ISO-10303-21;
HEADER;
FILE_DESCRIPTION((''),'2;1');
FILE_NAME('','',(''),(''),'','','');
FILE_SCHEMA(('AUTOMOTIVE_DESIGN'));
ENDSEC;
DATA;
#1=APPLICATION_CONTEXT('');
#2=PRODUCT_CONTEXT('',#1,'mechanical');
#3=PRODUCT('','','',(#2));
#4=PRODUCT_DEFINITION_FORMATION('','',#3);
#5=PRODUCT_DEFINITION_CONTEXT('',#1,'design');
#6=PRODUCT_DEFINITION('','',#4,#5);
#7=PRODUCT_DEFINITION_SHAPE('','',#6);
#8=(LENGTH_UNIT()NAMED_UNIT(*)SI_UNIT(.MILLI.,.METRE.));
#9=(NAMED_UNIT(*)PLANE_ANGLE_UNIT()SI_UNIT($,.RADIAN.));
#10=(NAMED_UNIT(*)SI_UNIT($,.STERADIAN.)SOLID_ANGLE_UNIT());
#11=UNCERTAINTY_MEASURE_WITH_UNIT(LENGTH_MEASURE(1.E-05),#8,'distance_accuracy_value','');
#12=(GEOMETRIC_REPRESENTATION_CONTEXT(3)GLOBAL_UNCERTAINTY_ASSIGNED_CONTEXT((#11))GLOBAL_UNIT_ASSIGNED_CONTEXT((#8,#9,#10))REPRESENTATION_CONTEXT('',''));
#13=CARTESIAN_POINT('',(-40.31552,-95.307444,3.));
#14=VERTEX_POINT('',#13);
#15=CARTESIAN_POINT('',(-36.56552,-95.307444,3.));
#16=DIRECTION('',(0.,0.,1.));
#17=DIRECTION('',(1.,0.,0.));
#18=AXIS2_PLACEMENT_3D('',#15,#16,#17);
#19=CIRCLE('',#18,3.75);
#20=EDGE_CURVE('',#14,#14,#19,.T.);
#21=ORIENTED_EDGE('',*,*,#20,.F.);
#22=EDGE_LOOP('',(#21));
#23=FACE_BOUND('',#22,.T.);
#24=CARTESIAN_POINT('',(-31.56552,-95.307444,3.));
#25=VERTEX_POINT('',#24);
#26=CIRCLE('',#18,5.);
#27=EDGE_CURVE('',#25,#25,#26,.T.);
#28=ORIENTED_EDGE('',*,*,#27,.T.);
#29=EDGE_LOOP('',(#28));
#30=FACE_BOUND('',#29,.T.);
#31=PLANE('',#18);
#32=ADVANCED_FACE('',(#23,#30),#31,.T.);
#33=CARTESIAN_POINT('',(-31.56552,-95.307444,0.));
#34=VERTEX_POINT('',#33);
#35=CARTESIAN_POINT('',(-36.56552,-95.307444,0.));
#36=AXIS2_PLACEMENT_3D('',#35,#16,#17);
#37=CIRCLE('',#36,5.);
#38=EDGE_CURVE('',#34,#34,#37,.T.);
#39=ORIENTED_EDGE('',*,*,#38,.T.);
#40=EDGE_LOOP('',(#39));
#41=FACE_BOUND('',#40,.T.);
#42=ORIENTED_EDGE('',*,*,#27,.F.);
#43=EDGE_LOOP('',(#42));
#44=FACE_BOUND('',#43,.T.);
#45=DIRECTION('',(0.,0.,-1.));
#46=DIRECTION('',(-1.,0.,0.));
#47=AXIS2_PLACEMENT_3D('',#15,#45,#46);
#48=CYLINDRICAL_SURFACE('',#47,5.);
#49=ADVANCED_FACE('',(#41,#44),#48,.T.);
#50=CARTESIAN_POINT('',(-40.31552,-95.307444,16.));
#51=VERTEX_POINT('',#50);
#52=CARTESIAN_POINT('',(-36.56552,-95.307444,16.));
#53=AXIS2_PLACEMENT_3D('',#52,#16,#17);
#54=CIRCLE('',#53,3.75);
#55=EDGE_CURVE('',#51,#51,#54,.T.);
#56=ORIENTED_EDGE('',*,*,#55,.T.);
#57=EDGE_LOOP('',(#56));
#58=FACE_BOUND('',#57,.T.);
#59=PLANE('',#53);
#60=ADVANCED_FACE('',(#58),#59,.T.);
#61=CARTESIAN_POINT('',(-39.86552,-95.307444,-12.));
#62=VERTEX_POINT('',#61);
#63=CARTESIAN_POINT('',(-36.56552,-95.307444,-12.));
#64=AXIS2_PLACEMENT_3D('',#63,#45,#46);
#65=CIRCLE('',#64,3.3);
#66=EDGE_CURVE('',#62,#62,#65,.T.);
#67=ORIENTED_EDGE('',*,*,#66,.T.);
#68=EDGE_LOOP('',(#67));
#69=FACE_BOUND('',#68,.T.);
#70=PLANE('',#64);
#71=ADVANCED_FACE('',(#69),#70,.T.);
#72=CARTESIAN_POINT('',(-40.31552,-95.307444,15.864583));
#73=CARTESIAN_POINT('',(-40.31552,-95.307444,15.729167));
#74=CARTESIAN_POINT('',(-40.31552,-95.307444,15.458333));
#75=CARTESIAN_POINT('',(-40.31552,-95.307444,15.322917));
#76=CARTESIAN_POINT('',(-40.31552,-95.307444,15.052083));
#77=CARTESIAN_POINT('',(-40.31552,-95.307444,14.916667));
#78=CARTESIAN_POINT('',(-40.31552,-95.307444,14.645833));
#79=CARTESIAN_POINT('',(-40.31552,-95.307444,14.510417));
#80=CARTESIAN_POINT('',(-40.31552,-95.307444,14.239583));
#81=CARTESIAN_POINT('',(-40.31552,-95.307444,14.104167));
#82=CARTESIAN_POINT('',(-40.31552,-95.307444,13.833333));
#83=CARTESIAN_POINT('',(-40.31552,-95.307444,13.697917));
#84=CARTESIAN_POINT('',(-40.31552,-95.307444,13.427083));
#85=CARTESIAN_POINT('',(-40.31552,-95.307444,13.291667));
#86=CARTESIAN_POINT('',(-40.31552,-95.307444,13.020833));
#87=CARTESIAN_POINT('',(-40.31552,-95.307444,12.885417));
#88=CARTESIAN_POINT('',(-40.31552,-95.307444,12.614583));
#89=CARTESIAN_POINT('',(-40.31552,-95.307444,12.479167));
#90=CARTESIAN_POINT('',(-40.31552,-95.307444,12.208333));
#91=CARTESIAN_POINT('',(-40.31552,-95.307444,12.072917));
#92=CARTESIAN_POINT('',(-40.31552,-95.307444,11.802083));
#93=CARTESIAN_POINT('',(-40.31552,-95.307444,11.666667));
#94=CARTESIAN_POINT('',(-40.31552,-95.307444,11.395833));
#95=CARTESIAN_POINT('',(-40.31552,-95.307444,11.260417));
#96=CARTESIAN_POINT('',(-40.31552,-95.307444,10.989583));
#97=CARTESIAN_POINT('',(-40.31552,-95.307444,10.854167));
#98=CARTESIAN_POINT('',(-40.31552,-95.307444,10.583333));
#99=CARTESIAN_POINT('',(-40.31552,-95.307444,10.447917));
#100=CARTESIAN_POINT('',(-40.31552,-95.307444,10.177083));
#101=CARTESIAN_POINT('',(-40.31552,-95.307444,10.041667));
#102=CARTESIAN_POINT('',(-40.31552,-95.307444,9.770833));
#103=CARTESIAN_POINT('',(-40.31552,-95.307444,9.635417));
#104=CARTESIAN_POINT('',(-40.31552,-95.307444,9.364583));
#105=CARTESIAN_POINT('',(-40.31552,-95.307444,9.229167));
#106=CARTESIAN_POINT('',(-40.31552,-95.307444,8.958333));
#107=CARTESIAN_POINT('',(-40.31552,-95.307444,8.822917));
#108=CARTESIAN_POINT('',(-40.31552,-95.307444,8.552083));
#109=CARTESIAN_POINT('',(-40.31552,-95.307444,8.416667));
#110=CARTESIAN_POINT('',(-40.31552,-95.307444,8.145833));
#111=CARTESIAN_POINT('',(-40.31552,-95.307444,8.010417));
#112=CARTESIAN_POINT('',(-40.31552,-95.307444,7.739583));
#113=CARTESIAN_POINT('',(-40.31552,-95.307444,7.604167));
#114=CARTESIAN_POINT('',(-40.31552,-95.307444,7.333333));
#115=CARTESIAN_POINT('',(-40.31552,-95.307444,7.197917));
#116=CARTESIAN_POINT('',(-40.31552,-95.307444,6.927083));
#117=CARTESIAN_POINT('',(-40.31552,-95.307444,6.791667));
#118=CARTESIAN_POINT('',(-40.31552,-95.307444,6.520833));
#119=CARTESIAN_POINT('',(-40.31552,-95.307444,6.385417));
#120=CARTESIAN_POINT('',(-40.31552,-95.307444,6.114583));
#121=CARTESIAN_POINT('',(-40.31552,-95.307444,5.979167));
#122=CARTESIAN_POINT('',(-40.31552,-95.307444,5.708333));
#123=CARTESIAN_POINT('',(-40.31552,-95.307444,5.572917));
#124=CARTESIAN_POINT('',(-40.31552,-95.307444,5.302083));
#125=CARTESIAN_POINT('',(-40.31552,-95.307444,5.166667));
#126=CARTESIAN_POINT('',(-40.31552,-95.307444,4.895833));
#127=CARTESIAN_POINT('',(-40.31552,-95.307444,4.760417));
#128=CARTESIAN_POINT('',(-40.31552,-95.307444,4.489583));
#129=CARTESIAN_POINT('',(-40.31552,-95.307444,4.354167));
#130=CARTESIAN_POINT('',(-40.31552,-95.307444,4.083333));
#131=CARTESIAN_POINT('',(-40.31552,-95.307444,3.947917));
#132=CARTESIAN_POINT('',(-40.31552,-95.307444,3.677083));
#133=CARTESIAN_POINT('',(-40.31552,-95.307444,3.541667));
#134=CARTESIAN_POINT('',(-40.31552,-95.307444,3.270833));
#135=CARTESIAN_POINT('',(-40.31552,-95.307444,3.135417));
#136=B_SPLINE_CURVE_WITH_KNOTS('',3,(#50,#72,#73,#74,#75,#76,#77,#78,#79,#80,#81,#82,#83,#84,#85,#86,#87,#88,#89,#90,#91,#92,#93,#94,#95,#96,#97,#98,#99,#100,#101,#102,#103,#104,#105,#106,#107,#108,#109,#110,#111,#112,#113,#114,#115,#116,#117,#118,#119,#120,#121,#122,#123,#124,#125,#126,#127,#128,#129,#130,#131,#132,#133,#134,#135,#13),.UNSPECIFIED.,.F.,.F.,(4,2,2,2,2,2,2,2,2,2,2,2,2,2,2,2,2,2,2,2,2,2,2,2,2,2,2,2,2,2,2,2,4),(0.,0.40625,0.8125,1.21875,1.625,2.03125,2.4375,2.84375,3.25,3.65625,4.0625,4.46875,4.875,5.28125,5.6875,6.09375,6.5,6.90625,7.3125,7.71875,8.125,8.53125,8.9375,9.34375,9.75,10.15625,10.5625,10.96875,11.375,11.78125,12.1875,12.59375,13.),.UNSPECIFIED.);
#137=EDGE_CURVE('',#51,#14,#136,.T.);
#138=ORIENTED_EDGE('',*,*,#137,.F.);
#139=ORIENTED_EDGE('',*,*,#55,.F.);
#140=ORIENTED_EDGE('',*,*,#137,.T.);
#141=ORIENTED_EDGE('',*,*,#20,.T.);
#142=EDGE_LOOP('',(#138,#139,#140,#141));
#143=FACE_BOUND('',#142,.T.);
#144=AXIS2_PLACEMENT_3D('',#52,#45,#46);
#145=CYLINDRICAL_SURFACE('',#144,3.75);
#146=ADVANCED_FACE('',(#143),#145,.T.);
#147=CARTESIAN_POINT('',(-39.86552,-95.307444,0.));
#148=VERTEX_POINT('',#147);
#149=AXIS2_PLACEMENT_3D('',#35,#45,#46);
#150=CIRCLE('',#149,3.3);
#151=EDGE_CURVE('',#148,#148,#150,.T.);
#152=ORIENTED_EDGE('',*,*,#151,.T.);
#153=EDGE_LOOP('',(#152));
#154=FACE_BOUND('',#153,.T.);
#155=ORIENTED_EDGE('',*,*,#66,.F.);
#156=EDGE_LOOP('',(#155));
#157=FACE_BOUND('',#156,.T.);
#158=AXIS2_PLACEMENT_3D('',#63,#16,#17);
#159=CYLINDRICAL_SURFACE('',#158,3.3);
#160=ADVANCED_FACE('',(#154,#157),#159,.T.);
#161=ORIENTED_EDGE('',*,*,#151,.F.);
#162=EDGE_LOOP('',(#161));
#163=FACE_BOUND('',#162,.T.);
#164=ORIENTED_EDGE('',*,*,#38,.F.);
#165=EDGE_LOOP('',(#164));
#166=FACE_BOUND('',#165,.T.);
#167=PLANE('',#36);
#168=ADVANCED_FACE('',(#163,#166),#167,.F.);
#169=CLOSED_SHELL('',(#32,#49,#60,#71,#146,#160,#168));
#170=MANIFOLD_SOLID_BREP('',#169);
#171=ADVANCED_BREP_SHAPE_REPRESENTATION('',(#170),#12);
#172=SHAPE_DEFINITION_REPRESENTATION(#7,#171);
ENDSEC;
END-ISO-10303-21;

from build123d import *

# Parameters (mm, degrees)
SKETCH_1_R      = 5
EXTRUDE_1_DEPTH = 3
SKETCH_2_R      = 3.3
EXTRUDE_2_DEPTH = 12
SKETCH_4_R      = 3.75
EXTRUDE_3_DEPTH = 13


with BuildPart() as part:
    # 草圖1 → 填料-伸長1 (new body)
    with BuildSketch(Plane.XY):
        with Locations((-36.565519845, -95.307444045)):
            Circle(SKETCH_1_R)
    extrude(amount=EXTRUDE_1_DEPTH)

    # 草圖2 → 填料-伸長2 (add)
    with BuildSketch(Plane(origin=(0, 0, 0), x_dir=(-1, 0, 0), z_dir=(0, 0, -1))):
        with Locations((36.565519845, -95.307444045)):
            Circle(SKETCH_2_R)
    extrude(amount=EXTRUDE_2_DEPTH)

    # 草圖4 → 填料-伸長3 (add)
    with BuildSketch(Plane.XY.offset(3)):
        with Locations(Location((-36.565519845, -95.307444045, 0), (0, 0, 180))):
            Circle(SKETCH_4_R)
    extrude(amount=EXTRUDE_3_DEPTH)


solid = part.part
